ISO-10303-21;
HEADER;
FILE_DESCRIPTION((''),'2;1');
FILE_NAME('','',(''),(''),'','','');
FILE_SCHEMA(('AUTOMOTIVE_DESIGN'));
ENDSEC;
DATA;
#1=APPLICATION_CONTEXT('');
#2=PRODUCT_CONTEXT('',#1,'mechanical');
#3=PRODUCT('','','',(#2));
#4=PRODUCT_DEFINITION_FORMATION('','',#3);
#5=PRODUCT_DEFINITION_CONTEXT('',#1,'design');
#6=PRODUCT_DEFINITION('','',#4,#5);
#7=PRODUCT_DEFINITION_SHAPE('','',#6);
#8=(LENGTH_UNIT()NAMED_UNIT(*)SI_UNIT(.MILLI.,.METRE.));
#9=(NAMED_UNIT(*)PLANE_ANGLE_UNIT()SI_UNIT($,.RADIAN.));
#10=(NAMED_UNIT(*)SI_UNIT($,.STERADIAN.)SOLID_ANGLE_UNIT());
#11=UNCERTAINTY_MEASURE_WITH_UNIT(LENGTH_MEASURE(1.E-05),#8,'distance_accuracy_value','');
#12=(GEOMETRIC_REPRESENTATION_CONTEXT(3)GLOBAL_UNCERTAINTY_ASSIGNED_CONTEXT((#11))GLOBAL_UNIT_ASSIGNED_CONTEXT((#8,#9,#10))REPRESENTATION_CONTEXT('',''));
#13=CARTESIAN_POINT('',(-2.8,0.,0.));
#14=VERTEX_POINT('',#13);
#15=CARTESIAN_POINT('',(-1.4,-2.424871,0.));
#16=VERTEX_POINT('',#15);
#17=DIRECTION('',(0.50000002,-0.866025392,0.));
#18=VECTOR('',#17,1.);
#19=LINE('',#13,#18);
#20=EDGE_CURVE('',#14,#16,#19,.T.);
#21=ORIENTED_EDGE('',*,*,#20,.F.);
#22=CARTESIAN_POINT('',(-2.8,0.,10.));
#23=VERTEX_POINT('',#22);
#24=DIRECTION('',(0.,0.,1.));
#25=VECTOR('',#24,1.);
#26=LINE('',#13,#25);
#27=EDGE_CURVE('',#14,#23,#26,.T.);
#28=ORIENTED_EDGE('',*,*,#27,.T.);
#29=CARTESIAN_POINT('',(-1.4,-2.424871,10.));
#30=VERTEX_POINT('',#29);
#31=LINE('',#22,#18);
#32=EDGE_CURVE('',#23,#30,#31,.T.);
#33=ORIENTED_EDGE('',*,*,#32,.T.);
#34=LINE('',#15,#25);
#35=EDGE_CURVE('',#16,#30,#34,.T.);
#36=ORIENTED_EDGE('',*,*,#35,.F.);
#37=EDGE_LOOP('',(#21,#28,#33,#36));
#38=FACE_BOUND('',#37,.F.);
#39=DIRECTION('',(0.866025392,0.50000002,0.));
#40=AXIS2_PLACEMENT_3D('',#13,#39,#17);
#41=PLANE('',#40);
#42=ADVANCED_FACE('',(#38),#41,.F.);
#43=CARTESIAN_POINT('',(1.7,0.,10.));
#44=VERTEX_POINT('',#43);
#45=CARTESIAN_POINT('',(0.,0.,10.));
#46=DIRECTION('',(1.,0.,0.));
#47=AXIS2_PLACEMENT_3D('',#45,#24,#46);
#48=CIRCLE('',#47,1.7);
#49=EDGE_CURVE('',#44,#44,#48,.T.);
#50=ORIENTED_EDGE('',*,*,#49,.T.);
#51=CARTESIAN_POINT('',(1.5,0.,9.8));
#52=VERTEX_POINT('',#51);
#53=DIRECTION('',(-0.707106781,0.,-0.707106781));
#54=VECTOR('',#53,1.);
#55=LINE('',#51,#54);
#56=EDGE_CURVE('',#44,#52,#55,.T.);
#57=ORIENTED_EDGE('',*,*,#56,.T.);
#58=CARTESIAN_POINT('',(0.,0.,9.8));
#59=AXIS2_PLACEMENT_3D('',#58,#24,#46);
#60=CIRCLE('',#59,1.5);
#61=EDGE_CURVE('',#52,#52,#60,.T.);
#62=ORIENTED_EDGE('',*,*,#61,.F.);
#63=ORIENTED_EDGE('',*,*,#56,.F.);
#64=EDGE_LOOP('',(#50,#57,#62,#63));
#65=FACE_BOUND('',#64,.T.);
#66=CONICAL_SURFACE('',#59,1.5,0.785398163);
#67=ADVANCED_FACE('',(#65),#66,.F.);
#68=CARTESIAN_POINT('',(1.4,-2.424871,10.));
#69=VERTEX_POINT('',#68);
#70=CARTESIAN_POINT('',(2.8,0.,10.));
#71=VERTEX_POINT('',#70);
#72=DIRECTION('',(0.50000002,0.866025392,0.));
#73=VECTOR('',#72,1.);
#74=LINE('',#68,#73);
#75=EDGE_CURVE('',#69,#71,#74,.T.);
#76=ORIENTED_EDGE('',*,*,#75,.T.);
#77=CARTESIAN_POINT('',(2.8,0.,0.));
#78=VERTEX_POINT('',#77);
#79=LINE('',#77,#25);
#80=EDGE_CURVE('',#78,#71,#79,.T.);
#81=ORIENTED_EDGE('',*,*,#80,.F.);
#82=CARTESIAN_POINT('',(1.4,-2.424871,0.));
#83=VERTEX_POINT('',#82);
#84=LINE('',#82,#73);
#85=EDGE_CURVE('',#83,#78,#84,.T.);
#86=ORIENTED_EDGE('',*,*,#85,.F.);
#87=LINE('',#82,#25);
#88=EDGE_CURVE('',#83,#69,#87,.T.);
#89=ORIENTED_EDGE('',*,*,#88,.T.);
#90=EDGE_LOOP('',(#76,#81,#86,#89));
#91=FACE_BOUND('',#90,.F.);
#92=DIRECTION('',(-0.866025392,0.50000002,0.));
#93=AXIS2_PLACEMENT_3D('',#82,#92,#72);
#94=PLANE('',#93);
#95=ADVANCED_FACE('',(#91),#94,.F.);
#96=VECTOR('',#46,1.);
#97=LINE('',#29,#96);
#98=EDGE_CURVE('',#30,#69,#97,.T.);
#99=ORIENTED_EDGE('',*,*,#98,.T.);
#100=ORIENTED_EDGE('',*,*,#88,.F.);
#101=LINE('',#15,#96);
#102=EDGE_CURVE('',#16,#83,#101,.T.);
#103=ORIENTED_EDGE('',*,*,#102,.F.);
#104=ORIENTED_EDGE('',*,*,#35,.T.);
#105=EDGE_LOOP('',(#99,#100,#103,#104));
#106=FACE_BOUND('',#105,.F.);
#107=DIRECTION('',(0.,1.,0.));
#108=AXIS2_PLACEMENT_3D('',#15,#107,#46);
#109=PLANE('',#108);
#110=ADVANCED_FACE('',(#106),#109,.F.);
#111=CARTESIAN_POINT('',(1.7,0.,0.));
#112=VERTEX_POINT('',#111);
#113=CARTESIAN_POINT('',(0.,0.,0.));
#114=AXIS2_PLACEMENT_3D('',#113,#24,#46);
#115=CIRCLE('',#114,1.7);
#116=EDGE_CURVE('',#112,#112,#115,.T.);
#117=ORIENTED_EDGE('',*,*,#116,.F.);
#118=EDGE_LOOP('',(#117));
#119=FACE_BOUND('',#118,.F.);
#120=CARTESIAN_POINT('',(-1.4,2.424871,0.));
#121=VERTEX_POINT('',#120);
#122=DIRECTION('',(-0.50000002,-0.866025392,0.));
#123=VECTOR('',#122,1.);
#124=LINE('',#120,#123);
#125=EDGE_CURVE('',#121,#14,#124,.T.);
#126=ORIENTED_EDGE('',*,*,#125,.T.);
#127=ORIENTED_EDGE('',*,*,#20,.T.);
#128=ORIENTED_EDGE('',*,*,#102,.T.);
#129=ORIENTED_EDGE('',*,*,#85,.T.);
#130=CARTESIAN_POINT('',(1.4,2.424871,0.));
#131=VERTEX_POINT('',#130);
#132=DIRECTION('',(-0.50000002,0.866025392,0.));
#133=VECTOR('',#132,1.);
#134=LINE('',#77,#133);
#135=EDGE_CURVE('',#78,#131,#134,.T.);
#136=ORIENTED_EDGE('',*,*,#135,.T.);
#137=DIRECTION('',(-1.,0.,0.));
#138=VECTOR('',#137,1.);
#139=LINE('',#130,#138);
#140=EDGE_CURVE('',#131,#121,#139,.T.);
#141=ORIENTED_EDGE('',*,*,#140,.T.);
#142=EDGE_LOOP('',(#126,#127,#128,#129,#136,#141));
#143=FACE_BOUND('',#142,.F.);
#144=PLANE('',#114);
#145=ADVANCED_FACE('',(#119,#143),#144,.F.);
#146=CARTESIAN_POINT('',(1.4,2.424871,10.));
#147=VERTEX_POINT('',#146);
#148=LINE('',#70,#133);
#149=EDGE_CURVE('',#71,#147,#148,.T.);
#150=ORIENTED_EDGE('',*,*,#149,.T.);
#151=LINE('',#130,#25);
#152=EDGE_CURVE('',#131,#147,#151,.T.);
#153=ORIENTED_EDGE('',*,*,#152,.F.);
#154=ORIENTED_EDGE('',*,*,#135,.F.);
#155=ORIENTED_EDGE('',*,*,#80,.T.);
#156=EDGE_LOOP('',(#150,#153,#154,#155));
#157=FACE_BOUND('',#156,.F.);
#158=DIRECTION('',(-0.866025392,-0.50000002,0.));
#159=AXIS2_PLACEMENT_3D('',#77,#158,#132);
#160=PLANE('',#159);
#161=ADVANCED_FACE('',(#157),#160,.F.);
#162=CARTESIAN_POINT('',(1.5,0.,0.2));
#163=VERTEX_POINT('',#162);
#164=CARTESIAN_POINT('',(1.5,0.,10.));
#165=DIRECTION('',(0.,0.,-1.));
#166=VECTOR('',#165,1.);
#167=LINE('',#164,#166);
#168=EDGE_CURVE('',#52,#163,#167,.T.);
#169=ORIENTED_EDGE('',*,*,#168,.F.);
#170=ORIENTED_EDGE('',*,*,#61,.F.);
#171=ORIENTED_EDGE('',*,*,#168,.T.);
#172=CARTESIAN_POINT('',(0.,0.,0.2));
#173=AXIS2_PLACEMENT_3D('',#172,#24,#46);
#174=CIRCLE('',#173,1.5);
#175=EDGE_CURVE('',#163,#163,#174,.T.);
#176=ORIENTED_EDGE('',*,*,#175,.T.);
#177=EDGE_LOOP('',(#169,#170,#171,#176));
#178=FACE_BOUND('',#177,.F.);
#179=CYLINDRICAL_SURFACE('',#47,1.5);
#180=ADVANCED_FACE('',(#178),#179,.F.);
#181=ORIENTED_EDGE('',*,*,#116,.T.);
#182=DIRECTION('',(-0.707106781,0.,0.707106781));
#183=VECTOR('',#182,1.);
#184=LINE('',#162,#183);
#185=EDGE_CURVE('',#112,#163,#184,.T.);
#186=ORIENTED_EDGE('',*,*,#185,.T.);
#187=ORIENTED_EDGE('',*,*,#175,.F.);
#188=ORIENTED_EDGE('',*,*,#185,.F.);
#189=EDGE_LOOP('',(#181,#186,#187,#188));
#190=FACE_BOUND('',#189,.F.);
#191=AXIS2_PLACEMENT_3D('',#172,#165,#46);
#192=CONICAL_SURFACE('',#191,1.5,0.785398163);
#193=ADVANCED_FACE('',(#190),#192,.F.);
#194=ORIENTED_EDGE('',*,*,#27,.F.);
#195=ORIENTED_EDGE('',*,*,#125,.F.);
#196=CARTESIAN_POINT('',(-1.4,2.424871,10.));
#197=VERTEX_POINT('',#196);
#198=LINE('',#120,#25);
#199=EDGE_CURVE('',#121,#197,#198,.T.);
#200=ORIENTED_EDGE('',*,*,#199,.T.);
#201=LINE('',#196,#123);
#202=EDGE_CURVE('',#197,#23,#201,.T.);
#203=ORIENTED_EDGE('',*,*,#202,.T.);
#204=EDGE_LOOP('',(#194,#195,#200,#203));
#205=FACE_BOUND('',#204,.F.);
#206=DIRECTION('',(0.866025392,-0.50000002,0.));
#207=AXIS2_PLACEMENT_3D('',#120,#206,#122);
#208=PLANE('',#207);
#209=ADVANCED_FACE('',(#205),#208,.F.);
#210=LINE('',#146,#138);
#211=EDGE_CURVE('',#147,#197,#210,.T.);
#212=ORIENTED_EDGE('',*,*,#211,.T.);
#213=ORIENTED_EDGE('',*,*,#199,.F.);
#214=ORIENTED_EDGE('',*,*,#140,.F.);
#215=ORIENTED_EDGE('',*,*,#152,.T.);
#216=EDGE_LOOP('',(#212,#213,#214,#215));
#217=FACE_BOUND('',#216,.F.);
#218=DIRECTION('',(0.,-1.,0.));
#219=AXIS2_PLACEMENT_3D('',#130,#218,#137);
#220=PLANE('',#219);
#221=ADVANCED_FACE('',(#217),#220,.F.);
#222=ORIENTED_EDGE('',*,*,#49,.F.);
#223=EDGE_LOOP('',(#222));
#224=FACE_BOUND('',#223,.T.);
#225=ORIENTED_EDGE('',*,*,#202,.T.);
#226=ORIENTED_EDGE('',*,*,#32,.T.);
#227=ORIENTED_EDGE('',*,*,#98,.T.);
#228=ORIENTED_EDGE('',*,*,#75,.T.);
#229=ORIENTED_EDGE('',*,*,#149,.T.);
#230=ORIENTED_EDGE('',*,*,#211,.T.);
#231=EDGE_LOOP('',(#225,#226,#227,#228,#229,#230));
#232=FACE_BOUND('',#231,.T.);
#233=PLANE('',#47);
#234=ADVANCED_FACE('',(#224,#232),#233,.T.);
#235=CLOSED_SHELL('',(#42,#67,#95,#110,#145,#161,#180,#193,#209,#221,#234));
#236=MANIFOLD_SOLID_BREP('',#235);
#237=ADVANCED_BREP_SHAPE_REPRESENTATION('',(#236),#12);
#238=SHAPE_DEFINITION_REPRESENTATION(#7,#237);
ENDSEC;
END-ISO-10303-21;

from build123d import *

# Parameters (mm, degrees)
PAD_DEPTH    = 10
SKETCH001_R  = 1.5
POCKET_DEPTH = 10.001
CHAMFER_SIZE = 0.2


with BuildPart() as part:
    # Sketch → Pad (new body)
    with BuildSketch(Plane.XY):
        Polygon((2.8, 0), (1.4, 2.424871), (-1.4, 2.424871), (-2.8, 0), (-1.4, -2.424871), (1.4, -2.424871), align=None)
    extrude(amount=PAD_DEPTH)

    # Sketch001 (on Face8 of Pad) → Pocket (cut, through all)
    with BuildSketch(Plane.XY.offset(10)):
        Circle(SKETCH001_R)
    extrude(amount=-POCKET_DEPTH, mode=Mode.SUBTRACT)

    # Chamfer
    chamfer_edges = [part.edges().sort_by_distance(p)[0] for p in [
        (-1.5, 0, 10),
        (-1.5, 0, 0),
    ]]
    chamfer(chamfer_edges, length=CHAMFER_SIZE)


solid = part.part
